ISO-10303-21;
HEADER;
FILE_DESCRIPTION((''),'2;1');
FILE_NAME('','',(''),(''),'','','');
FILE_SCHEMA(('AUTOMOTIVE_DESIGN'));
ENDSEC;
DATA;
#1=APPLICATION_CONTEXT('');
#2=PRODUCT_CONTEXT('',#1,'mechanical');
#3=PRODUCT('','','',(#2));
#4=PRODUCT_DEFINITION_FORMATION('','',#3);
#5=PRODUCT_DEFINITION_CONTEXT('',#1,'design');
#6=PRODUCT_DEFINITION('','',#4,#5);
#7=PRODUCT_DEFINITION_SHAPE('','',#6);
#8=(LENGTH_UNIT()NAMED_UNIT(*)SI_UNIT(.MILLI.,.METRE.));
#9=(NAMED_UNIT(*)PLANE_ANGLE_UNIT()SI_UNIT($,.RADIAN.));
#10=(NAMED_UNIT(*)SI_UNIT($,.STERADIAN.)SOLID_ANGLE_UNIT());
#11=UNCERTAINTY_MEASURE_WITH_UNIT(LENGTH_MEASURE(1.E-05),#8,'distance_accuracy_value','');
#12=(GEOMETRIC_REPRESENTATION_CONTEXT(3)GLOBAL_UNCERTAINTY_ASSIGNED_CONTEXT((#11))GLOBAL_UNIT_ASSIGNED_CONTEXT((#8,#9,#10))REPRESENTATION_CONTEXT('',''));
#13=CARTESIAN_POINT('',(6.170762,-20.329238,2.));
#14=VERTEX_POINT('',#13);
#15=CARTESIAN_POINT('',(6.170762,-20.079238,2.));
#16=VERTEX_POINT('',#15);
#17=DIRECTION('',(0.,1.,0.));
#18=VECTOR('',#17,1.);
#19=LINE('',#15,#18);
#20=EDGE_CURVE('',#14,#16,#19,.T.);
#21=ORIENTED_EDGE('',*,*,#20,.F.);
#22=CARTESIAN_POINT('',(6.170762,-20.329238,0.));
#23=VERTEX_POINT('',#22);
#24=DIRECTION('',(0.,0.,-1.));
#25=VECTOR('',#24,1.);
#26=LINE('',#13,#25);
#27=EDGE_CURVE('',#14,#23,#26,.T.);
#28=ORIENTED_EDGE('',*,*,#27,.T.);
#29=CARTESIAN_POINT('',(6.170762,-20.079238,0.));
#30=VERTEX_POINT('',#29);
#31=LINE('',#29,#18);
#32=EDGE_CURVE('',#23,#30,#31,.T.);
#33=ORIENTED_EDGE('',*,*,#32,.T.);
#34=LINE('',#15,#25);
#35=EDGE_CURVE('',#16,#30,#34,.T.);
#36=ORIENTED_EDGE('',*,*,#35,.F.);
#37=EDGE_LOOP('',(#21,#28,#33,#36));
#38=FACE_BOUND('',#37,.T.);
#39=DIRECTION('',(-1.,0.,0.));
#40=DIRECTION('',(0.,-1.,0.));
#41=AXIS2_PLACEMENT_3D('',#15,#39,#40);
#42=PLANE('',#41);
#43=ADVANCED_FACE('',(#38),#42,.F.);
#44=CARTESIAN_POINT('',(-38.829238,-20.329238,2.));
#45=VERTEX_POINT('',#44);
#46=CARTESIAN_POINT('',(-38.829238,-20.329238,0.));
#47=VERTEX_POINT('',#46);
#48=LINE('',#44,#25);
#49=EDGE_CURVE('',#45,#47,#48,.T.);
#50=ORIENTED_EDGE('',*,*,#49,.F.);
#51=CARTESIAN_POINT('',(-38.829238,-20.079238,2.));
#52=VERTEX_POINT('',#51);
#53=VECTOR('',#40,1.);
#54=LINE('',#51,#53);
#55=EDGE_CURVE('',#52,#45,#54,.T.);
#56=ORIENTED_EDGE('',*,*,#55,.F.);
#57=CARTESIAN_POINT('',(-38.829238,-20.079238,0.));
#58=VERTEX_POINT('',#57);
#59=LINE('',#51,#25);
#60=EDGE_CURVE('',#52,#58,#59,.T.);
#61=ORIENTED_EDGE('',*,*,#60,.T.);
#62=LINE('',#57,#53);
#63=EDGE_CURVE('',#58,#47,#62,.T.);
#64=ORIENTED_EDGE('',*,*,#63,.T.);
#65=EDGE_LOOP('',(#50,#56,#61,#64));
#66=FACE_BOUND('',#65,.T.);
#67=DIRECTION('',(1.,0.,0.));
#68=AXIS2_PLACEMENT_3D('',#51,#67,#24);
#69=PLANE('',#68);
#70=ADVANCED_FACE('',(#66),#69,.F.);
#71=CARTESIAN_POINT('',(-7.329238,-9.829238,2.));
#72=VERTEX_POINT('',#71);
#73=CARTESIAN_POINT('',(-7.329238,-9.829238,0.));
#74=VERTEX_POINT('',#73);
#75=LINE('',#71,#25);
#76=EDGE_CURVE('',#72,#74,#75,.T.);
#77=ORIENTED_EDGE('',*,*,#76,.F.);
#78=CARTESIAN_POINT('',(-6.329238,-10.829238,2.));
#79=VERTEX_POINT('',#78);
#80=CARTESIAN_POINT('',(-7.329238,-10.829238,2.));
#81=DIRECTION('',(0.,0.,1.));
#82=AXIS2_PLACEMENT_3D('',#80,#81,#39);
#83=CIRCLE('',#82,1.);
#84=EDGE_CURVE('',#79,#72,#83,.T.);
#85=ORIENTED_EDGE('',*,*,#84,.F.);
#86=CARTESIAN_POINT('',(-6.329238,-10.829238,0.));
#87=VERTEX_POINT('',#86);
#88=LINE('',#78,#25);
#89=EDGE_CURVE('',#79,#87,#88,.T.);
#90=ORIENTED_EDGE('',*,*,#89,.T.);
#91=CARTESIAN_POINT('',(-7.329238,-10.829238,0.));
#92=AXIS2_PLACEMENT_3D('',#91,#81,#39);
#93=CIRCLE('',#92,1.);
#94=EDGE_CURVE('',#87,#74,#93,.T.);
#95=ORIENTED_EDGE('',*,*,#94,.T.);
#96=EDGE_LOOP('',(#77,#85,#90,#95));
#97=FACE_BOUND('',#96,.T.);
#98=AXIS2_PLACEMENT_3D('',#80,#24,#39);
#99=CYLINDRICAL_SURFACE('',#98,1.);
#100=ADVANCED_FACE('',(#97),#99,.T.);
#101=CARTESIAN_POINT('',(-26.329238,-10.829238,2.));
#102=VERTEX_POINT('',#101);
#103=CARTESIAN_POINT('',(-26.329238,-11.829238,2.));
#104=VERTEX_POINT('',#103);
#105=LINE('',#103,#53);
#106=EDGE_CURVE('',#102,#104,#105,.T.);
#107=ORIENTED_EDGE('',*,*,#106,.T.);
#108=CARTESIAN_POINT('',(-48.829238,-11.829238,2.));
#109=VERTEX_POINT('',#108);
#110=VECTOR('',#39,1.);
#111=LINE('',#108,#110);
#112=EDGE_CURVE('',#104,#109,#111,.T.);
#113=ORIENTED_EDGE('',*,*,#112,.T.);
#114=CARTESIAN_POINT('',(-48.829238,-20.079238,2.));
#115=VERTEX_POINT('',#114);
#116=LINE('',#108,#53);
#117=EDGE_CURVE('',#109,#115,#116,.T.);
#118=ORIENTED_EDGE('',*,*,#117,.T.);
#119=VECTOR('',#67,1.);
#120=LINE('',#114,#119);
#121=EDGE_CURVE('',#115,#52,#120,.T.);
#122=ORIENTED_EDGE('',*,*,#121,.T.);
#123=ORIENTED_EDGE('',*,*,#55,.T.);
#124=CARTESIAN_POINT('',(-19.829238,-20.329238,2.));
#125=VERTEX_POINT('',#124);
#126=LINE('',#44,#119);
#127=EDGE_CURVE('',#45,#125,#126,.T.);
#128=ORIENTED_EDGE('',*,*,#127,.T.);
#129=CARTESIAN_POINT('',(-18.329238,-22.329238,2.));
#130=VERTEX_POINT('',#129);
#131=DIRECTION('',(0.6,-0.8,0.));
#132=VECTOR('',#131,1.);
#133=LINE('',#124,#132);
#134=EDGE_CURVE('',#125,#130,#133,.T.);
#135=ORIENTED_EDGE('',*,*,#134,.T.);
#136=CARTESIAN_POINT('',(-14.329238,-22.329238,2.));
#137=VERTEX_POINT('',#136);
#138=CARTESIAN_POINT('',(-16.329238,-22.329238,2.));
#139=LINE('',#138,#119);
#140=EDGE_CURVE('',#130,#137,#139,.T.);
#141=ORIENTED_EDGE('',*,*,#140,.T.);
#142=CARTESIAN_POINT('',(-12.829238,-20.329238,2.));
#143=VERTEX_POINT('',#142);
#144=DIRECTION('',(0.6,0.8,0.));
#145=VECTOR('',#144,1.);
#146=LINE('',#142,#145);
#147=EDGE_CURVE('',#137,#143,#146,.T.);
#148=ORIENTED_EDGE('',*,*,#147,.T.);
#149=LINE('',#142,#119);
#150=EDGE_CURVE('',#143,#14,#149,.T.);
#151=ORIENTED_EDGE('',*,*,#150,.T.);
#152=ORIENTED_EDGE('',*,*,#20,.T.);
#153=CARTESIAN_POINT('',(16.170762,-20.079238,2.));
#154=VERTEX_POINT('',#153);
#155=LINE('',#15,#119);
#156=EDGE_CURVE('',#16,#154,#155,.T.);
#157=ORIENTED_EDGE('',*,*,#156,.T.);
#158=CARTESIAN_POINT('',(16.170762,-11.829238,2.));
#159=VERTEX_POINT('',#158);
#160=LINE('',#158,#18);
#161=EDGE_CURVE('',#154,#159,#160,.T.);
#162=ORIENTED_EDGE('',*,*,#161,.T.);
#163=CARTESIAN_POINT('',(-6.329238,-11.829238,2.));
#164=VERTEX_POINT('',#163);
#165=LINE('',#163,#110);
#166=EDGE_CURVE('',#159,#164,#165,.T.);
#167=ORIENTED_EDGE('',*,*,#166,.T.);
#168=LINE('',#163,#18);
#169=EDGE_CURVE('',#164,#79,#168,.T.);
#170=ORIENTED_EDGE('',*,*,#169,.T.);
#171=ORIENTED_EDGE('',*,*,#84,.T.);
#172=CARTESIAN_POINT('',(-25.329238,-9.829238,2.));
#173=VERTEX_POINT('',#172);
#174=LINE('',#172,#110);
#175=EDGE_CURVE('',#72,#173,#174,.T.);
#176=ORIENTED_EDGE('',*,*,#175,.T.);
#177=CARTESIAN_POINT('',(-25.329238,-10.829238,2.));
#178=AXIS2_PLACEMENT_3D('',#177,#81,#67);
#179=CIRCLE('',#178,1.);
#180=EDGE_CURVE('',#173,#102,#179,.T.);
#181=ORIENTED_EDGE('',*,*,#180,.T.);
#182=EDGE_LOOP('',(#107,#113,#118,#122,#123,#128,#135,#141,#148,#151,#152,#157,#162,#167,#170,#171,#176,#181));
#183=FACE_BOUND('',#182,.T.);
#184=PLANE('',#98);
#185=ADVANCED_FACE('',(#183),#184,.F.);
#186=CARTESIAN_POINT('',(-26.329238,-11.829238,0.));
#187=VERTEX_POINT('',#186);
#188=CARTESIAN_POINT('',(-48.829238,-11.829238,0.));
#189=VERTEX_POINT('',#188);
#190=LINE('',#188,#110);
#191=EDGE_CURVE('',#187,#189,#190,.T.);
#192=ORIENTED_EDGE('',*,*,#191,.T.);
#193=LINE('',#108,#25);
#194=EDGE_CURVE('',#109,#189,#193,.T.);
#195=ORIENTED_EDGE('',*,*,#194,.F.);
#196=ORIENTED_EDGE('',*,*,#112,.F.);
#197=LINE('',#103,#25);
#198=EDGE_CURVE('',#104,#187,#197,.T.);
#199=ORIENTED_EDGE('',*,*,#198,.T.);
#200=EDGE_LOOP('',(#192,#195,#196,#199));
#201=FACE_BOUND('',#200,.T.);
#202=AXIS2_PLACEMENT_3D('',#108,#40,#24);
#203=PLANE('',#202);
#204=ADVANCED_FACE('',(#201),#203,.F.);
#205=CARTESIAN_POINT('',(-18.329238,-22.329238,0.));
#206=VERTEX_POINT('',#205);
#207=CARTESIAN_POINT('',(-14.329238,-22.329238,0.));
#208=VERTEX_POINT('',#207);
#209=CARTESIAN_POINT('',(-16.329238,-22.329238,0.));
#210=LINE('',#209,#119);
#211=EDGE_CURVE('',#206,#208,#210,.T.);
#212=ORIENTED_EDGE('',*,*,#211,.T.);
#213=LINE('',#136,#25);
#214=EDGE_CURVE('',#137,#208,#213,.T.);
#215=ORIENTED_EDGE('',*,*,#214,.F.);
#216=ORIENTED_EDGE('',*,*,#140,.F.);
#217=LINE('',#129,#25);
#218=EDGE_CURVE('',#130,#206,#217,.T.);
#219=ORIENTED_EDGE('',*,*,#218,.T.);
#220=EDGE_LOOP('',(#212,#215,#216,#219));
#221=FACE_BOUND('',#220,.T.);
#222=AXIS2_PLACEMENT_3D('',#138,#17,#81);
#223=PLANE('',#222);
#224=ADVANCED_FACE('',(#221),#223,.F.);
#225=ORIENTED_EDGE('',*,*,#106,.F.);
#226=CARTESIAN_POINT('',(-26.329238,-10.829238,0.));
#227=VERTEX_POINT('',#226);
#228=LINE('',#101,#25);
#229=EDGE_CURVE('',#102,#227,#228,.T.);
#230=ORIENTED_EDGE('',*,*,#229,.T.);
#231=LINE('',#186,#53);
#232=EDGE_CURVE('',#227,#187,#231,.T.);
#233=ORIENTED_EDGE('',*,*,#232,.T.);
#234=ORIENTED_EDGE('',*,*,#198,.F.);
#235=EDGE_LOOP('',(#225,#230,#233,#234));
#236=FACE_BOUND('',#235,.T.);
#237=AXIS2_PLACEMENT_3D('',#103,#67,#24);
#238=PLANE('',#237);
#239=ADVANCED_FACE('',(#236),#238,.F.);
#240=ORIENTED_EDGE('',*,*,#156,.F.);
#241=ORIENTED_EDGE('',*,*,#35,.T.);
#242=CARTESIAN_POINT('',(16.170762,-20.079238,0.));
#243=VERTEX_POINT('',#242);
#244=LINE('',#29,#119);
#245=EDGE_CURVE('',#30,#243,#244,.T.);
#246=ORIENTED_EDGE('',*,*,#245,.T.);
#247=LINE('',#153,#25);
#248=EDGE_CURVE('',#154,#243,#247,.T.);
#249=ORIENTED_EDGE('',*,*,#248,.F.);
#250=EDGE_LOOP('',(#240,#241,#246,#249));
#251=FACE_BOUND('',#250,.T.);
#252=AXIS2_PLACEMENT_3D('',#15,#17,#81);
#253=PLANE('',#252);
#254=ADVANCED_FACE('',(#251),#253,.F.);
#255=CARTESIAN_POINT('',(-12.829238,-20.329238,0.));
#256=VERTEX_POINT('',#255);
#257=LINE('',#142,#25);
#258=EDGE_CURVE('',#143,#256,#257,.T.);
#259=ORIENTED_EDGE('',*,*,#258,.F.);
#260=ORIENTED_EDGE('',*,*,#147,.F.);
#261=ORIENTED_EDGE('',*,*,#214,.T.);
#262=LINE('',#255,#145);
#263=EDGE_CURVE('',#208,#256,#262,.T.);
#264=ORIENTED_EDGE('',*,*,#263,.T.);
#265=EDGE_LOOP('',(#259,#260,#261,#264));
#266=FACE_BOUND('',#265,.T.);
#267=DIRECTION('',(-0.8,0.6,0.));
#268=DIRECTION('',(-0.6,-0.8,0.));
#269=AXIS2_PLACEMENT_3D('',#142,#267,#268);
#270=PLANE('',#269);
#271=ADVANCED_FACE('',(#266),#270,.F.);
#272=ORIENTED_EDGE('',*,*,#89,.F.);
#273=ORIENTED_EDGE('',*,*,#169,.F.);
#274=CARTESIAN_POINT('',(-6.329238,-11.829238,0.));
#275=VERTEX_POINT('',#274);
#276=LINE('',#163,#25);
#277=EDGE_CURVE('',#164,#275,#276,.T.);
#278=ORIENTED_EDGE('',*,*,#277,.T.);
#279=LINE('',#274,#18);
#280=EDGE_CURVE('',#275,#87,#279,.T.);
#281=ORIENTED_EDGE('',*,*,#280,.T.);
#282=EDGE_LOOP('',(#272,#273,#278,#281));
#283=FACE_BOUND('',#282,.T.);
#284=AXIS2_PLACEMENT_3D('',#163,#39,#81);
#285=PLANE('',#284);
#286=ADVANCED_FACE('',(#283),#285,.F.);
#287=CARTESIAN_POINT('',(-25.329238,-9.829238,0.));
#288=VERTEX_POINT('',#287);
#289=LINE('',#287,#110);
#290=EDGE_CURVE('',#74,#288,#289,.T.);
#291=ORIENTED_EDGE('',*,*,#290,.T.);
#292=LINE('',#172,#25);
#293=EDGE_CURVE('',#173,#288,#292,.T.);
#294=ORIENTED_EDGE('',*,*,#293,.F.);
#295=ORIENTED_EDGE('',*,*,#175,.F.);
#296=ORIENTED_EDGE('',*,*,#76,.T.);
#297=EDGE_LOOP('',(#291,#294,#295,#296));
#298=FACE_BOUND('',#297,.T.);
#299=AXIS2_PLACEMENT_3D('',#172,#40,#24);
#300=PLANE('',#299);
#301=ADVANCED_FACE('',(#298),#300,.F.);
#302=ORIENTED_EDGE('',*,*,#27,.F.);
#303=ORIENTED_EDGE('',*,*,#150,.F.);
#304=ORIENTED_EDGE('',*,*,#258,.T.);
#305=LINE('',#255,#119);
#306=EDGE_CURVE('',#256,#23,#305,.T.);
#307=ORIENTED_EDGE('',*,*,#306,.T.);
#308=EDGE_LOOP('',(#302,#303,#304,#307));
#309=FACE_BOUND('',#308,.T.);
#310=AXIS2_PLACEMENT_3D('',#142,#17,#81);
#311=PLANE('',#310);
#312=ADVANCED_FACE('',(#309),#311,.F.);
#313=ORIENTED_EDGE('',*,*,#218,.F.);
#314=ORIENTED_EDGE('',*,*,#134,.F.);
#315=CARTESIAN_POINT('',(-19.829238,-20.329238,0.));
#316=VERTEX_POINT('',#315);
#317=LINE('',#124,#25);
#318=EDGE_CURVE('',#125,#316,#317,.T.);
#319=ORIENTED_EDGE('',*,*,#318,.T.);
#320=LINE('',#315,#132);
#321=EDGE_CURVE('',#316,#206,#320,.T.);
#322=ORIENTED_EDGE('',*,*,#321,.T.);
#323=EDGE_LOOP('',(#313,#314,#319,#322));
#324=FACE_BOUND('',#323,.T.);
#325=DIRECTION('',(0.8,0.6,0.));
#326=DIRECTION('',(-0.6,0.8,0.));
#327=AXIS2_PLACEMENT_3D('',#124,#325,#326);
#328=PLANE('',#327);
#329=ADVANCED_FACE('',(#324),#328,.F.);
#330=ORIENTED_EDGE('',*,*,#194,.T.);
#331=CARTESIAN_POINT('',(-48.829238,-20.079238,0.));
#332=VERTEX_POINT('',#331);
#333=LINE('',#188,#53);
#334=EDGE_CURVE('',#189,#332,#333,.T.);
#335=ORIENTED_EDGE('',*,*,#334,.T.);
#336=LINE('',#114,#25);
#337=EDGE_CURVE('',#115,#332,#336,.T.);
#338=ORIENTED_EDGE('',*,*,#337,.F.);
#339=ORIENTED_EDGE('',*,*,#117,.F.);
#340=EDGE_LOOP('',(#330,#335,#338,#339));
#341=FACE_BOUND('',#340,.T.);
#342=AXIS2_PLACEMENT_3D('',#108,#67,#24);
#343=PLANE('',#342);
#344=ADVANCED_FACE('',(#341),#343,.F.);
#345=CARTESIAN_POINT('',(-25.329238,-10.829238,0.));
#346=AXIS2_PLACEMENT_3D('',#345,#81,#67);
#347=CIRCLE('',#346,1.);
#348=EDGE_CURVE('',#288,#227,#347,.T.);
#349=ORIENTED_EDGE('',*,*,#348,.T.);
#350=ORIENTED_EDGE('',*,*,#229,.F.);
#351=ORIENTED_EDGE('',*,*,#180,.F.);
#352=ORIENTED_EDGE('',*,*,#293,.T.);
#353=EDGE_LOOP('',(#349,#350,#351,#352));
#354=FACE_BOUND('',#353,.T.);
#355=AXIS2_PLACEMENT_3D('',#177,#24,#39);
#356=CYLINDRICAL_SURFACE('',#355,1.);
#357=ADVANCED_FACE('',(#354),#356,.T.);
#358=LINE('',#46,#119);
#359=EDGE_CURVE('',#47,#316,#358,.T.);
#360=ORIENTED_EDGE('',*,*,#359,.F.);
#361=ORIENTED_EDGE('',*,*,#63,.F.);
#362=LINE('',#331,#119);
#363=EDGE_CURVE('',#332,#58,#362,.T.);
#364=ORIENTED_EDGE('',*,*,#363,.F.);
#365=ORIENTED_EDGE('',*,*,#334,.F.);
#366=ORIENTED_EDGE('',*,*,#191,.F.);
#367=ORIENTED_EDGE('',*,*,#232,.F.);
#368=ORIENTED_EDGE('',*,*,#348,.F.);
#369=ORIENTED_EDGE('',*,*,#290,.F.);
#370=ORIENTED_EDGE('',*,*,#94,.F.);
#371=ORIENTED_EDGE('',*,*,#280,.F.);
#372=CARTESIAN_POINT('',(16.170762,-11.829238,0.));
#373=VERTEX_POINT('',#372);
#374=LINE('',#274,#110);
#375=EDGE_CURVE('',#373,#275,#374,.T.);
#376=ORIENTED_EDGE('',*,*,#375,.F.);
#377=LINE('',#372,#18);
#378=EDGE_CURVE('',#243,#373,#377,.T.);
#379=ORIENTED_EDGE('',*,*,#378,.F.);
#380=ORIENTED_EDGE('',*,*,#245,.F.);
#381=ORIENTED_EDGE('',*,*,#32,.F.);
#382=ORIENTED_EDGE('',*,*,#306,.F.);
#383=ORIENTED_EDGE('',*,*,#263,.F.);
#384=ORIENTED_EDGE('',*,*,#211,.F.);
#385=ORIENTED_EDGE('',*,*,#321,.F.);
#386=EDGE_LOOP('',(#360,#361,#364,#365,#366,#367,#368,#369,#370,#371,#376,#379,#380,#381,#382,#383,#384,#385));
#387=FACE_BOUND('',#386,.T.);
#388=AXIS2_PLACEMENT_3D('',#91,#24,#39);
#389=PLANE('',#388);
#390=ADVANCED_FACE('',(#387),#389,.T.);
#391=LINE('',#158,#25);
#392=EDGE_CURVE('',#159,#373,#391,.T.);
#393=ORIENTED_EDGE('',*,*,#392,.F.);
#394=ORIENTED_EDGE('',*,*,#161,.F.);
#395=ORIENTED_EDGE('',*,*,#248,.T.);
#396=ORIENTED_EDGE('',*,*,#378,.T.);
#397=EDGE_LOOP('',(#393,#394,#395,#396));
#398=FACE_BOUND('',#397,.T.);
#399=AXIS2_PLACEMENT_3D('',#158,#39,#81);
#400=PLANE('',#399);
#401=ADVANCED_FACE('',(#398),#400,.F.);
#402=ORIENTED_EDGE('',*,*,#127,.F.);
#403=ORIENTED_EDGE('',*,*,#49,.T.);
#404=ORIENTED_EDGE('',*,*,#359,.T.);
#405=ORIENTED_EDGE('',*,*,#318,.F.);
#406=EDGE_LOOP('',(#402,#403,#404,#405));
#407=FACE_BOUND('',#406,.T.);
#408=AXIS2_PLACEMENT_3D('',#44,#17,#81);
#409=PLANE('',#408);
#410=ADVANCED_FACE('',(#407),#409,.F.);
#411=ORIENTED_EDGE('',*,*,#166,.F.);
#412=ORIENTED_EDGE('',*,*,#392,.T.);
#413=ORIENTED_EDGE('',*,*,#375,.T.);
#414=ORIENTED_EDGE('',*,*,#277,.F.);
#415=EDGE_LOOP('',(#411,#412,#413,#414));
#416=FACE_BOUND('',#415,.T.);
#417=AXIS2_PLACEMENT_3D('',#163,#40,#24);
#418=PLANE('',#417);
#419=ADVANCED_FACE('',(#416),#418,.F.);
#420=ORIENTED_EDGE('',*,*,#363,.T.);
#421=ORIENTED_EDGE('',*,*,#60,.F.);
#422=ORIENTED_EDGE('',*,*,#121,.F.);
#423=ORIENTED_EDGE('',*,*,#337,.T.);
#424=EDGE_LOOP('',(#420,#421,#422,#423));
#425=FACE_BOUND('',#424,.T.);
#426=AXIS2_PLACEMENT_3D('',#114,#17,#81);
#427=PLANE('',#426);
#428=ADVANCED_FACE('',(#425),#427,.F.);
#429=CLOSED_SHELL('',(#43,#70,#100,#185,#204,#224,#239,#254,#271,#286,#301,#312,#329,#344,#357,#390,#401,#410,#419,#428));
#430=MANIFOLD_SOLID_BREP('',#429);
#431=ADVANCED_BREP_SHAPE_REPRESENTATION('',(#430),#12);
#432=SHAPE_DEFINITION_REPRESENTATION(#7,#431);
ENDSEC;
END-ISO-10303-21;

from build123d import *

# Parameters (mm, degrees)
BOSS_EXTRUDE1_DEPTH = 2


with BuildPart() as part:
    # Sketch1 → Boss-Extrude1 (new body)
    with BuildSketch(Plane.XY):
        with BuildLine():
            Line((-26.329238207, -11.829238207), (-26.329238207, -10.829238207))
            ThreePointArc((-26.329238207, -10.829238207), (-26.036344989, -10.122131426), (-25.329238207, -9.829238207))
            Line((-25.329238207, -9.829238207), (-7.329238207, -9.829238207))
            ThreePointArc((-7.329238207, -9.829238207), (-6.622131426, -10.122131426), (-6.329238207, -10.829238207))
            Line((-6.329238207, -10.829238207), (-6.329238207, -11.829238207))
            Line((-6.329238207, -11.829238207), (16.170761793, -11.829238207))
            Line((16.170761793, -11.829238207), (16.170761793, -20.079238207))
            Line((16.170761793, -20.079238207), (6.170761793, -20.079238207))
            Line((6.170761793, -20.079238207), (6.170761793, -20.329238207))
            Line((6.170761793, -20.329238207), (-12.829238207, -20.329238207))
            Line((-12.829238207, -20.329238207), (-14.329238207, -22.329238207))
            Line((-14.329238207, -22.329238207), (-16.329238207, -22.329238207))
            Line((-16.329238207, -22.329238207), (-18.329238207, -22.329238207))
            Line((-18.329238207, -22.329238207), (-19.829238207, -20.329238207))
            Line((-19.829238207, -20.329238207), (-38.829238207, -20.329238207))
            Line((-38.829238207, -20.329238207), (-38.829238207, -20.079238207))
            Line((-38.829238207, -20.079238207), (-48.829238207, -20.079238207))
            Line((-48.829238207, -20.079238207), (-48.829238207, -11.829238207))
            Line((-48.829238207, -11.829238207), (-26.329238207, -11.829238207))
        make_face()
    extrude(amount=BOSS_EXTRUDE1_DEPTH)


solid = part.part
